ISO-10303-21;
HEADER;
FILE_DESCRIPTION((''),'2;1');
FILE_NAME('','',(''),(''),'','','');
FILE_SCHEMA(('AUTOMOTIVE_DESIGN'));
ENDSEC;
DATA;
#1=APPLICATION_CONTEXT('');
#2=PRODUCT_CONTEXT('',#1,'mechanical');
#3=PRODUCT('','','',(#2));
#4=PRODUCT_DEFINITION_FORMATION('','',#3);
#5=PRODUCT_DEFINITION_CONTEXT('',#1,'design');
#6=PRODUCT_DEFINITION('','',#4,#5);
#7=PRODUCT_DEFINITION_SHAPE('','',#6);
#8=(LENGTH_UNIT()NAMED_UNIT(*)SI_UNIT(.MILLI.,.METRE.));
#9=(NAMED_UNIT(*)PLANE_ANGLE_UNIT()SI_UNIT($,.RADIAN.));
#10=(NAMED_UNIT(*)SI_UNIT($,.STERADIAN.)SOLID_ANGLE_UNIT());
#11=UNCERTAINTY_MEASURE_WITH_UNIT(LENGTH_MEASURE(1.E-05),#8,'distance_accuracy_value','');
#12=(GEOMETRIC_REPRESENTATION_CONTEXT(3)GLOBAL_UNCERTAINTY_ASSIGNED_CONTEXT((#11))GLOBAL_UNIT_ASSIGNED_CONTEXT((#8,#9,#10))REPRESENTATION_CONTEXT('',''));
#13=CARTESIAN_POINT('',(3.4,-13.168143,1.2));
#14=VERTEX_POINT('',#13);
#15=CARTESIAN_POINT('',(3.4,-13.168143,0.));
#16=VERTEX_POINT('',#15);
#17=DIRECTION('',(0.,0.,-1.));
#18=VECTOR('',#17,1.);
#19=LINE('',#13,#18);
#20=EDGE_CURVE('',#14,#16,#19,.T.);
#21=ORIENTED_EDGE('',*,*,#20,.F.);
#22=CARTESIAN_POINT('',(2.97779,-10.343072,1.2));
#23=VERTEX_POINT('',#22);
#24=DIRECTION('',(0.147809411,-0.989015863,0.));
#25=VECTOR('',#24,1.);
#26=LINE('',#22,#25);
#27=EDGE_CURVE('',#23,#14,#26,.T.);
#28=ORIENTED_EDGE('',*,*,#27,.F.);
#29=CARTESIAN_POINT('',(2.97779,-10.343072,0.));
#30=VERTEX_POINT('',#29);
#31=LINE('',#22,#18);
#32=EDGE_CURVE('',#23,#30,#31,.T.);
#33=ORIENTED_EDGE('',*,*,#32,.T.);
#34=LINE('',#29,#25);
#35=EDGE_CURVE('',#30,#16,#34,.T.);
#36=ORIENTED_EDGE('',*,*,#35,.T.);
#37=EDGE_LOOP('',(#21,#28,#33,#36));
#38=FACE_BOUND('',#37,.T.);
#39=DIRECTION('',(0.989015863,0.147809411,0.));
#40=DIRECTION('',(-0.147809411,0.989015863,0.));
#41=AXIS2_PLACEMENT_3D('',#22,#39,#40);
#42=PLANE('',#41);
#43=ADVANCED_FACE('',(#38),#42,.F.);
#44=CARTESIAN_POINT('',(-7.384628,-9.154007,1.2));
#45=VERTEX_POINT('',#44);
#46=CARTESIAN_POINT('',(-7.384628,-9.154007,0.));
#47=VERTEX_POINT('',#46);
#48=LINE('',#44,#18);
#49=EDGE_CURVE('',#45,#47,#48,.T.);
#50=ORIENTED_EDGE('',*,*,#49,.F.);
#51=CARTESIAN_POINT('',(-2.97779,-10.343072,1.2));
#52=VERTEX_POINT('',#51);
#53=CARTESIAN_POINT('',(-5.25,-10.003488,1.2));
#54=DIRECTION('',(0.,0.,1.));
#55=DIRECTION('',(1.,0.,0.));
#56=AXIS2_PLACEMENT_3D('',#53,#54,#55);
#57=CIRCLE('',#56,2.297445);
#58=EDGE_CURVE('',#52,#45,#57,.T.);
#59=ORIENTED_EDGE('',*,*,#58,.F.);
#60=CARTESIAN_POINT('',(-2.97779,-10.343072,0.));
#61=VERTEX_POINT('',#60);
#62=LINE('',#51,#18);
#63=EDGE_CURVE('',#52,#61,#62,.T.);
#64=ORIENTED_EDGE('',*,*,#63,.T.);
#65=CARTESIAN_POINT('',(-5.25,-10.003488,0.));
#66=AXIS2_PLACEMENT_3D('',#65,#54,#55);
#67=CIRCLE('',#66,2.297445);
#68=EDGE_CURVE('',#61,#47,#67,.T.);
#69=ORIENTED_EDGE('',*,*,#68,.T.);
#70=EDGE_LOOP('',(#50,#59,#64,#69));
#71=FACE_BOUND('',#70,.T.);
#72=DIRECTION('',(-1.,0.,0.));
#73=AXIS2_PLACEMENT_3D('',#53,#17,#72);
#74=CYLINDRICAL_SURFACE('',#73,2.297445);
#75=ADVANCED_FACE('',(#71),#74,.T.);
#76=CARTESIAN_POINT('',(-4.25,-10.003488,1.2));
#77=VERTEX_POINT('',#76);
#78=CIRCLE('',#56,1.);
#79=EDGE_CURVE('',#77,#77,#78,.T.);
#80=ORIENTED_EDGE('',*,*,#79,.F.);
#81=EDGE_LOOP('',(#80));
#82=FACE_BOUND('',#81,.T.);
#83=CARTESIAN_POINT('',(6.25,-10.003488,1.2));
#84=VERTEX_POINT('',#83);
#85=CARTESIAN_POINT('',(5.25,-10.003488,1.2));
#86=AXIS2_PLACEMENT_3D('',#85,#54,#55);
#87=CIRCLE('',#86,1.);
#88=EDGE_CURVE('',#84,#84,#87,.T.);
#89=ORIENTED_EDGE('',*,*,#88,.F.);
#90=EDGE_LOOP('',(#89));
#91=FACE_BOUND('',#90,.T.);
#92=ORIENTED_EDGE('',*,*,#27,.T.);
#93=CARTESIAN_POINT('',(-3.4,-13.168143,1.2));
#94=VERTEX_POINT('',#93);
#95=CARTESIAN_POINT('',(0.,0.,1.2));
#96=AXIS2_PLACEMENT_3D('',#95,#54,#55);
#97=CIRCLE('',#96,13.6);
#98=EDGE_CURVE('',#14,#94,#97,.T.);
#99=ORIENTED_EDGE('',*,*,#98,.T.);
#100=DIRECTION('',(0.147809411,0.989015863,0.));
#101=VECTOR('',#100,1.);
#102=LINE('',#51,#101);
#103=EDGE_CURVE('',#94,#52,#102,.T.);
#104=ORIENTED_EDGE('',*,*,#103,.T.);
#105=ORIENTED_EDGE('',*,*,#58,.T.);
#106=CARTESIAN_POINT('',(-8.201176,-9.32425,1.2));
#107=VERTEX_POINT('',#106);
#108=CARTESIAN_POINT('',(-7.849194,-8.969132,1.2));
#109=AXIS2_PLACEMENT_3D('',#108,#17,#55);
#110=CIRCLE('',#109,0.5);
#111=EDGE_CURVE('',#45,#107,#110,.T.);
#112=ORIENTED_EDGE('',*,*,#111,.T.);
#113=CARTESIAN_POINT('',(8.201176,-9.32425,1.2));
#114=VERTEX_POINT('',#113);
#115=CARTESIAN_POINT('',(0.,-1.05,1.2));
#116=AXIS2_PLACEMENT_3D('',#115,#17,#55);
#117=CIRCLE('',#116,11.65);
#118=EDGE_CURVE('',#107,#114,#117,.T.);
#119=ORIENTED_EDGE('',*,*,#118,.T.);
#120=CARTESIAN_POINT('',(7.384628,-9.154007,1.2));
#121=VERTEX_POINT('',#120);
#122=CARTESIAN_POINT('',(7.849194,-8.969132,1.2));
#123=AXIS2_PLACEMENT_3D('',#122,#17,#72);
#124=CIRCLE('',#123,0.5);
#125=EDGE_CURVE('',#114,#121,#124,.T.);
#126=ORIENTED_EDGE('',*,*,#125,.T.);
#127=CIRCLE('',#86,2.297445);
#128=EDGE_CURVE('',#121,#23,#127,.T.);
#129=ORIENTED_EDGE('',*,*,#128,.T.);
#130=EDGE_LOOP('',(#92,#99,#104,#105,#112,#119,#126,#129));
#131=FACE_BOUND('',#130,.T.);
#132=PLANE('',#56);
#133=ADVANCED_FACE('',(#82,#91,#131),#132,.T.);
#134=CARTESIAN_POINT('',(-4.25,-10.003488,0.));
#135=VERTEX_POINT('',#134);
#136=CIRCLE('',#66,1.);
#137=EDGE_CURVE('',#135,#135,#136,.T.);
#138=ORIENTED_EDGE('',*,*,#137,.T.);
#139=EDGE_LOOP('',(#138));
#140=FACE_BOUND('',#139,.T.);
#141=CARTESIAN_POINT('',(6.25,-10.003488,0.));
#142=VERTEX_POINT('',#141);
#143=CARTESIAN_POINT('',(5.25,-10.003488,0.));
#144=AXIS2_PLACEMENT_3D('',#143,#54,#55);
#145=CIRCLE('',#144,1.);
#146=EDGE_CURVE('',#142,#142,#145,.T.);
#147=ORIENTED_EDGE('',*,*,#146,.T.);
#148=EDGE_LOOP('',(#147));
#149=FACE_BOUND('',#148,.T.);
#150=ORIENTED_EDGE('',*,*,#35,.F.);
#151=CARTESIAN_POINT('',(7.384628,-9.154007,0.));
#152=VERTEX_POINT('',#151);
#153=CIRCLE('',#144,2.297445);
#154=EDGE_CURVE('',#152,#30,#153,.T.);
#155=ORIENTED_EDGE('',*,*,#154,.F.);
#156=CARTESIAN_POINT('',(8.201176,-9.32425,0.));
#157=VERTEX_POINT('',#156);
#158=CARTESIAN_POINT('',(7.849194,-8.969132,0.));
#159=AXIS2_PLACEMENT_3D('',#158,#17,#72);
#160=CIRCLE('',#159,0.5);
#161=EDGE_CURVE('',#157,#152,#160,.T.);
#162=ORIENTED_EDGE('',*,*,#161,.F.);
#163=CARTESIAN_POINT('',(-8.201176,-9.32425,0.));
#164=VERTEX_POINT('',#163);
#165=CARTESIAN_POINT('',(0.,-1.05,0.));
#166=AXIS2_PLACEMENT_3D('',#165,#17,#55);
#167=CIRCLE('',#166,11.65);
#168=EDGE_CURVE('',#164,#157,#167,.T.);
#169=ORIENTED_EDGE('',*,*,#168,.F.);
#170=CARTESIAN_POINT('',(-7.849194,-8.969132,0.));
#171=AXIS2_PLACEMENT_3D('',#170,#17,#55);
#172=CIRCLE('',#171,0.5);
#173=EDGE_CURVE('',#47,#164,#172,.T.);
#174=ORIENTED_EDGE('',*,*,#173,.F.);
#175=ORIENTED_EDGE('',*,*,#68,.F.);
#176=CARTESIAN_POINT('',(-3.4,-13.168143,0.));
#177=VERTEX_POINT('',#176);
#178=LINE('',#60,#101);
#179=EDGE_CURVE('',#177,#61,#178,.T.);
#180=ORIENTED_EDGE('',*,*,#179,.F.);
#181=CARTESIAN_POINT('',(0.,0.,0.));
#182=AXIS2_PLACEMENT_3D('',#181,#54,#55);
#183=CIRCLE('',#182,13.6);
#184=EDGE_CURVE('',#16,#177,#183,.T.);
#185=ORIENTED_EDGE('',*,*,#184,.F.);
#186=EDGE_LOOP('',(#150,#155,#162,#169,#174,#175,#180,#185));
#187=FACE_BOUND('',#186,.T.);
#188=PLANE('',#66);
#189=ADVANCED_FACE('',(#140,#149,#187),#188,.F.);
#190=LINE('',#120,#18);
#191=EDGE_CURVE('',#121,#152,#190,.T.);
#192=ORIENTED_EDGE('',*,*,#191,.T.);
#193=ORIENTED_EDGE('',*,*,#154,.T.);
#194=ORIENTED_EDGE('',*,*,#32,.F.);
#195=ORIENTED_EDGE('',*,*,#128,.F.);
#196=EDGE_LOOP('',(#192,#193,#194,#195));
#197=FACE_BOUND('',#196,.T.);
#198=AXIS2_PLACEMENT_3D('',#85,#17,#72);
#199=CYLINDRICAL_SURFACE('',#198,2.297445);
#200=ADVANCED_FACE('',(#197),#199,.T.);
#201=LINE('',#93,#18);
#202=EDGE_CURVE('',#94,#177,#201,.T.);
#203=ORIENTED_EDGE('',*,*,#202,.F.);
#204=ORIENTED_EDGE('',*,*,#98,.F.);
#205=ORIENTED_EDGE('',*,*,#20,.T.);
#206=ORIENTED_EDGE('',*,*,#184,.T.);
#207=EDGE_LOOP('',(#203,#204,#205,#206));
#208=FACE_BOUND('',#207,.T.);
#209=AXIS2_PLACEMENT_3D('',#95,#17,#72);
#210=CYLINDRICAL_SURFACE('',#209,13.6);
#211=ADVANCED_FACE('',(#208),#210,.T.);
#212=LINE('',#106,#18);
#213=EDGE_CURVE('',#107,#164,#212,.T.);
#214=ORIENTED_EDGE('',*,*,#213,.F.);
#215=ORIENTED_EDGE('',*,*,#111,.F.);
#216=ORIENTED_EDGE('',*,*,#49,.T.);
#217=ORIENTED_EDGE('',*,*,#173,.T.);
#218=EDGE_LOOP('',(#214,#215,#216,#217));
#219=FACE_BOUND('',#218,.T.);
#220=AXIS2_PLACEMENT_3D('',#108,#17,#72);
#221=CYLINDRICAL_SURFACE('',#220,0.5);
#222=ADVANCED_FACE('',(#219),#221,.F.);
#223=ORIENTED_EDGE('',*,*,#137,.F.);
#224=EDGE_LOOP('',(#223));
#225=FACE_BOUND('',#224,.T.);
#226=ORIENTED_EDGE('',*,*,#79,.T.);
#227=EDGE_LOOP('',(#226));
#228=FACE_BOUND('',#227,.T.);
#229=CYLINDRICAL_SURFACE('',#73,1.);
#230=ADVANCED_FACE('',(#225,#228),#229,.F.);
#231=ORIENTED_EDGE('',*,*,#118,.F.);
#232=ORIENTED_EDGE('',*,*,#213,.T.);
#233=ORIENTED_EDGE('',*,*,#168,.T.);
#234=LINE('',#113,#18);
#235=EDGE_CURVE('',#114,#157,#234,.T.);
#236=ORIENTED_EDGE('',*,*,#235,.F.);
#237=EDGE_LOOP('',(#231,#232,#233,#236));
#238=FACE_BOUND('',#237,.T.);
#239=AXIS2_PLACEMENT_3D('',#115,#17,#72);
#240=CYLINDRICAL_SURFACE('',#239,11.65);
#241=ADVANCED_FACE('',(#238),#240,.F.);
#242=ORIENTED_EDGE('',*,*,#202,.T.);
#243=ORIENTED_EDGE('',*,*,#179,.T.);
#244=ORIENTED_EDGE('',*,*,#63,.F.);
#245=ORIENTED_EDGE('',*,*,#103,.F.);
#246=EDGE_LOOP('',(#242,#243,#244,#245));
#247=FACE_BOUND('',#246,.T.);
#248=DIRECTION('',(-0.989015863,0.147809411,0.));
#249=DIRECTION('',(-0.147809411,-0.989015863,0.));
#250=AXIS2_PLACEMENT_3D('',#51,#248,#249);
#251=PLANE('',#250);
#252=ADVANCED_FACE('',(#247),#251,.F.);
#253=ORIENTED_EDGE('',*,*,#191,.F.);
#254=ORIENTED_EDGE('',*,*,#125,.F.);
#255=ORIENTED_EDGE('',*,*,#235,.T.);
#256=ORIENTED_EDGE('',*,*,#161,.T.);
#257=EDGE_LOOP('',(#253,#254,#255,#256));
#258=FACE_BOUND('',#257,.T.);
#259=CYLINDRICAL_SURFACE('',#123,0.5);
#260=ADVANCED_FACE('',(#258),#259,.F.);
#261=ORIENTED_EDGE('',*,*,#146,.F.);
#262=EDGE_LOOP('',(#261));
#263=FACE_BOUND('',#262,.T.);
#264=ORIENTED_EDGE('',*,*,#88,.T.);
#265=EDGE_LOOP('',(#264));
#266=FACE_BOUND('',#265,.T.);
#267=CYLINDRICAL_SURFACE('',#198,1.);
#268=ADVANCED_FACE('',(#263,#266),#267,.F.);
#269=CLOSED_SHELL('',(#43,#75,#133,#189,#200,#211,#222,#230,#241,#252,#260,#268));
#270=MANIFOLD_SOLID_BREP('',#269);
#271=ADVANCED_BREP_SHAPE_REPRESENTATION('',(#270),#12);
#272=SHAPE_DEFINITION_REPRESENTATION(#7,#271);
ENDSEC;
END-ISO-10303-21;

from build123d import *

# Parameters (mm, degrees)
SKETCH1_R           = 1
BOSS_EXTRUDE1_DEPTH = 1.2


with BuildPart() as part:
    # Sketch1 → Boss-Extrude1 (new body)
    with BuildSketch(Plane.XY):
        with BuildLine():
            Line((-2.97779023, -10.343071844), (-3.4, -13.168143377))
            ThreePointArc((-3.4, -13.168143377), (0, 13.6), (3.4, -13.168143377))
            Line((3.4, -13.168143377), (2.97779023, -10.343071844))
            ThreePointArc((2.97779023, -10.343071844), (4.651501232, -7.785368396), (7.384628177, -9.154007336))
            ThreePointArc((7.384628177, -9.154007336), (7.747142587, -9.458607079), (8.201175593, -9.324250352))
            ThreePointArc((8.201175593, -9.324250352), (0, 10.6), (-8.201175593, -9.324250352))
            ThreePointArc((-8.201175593, -9.324250352), (-7.747142587, -9.458607079), (-7.384628177, -9.154007336))
            ThreePointArc((-7.384628177, -9.154007336), (-4.651501232, -7.785368396), (-2.97779023, -10.343071844))
        make_face()
        with Locations((-5.25, -10.003487819)):
            Circle(SKETCH1_R, mode=Mode.SUBTRACT)
        with Locations((5.25, -10.003487819)):
            Circle(SKETCH1_R, mode=Mode.SUBTRACT)
    extrude(amount=BOSS_EXTRUDE1_DEPTH)


solid = part.part
